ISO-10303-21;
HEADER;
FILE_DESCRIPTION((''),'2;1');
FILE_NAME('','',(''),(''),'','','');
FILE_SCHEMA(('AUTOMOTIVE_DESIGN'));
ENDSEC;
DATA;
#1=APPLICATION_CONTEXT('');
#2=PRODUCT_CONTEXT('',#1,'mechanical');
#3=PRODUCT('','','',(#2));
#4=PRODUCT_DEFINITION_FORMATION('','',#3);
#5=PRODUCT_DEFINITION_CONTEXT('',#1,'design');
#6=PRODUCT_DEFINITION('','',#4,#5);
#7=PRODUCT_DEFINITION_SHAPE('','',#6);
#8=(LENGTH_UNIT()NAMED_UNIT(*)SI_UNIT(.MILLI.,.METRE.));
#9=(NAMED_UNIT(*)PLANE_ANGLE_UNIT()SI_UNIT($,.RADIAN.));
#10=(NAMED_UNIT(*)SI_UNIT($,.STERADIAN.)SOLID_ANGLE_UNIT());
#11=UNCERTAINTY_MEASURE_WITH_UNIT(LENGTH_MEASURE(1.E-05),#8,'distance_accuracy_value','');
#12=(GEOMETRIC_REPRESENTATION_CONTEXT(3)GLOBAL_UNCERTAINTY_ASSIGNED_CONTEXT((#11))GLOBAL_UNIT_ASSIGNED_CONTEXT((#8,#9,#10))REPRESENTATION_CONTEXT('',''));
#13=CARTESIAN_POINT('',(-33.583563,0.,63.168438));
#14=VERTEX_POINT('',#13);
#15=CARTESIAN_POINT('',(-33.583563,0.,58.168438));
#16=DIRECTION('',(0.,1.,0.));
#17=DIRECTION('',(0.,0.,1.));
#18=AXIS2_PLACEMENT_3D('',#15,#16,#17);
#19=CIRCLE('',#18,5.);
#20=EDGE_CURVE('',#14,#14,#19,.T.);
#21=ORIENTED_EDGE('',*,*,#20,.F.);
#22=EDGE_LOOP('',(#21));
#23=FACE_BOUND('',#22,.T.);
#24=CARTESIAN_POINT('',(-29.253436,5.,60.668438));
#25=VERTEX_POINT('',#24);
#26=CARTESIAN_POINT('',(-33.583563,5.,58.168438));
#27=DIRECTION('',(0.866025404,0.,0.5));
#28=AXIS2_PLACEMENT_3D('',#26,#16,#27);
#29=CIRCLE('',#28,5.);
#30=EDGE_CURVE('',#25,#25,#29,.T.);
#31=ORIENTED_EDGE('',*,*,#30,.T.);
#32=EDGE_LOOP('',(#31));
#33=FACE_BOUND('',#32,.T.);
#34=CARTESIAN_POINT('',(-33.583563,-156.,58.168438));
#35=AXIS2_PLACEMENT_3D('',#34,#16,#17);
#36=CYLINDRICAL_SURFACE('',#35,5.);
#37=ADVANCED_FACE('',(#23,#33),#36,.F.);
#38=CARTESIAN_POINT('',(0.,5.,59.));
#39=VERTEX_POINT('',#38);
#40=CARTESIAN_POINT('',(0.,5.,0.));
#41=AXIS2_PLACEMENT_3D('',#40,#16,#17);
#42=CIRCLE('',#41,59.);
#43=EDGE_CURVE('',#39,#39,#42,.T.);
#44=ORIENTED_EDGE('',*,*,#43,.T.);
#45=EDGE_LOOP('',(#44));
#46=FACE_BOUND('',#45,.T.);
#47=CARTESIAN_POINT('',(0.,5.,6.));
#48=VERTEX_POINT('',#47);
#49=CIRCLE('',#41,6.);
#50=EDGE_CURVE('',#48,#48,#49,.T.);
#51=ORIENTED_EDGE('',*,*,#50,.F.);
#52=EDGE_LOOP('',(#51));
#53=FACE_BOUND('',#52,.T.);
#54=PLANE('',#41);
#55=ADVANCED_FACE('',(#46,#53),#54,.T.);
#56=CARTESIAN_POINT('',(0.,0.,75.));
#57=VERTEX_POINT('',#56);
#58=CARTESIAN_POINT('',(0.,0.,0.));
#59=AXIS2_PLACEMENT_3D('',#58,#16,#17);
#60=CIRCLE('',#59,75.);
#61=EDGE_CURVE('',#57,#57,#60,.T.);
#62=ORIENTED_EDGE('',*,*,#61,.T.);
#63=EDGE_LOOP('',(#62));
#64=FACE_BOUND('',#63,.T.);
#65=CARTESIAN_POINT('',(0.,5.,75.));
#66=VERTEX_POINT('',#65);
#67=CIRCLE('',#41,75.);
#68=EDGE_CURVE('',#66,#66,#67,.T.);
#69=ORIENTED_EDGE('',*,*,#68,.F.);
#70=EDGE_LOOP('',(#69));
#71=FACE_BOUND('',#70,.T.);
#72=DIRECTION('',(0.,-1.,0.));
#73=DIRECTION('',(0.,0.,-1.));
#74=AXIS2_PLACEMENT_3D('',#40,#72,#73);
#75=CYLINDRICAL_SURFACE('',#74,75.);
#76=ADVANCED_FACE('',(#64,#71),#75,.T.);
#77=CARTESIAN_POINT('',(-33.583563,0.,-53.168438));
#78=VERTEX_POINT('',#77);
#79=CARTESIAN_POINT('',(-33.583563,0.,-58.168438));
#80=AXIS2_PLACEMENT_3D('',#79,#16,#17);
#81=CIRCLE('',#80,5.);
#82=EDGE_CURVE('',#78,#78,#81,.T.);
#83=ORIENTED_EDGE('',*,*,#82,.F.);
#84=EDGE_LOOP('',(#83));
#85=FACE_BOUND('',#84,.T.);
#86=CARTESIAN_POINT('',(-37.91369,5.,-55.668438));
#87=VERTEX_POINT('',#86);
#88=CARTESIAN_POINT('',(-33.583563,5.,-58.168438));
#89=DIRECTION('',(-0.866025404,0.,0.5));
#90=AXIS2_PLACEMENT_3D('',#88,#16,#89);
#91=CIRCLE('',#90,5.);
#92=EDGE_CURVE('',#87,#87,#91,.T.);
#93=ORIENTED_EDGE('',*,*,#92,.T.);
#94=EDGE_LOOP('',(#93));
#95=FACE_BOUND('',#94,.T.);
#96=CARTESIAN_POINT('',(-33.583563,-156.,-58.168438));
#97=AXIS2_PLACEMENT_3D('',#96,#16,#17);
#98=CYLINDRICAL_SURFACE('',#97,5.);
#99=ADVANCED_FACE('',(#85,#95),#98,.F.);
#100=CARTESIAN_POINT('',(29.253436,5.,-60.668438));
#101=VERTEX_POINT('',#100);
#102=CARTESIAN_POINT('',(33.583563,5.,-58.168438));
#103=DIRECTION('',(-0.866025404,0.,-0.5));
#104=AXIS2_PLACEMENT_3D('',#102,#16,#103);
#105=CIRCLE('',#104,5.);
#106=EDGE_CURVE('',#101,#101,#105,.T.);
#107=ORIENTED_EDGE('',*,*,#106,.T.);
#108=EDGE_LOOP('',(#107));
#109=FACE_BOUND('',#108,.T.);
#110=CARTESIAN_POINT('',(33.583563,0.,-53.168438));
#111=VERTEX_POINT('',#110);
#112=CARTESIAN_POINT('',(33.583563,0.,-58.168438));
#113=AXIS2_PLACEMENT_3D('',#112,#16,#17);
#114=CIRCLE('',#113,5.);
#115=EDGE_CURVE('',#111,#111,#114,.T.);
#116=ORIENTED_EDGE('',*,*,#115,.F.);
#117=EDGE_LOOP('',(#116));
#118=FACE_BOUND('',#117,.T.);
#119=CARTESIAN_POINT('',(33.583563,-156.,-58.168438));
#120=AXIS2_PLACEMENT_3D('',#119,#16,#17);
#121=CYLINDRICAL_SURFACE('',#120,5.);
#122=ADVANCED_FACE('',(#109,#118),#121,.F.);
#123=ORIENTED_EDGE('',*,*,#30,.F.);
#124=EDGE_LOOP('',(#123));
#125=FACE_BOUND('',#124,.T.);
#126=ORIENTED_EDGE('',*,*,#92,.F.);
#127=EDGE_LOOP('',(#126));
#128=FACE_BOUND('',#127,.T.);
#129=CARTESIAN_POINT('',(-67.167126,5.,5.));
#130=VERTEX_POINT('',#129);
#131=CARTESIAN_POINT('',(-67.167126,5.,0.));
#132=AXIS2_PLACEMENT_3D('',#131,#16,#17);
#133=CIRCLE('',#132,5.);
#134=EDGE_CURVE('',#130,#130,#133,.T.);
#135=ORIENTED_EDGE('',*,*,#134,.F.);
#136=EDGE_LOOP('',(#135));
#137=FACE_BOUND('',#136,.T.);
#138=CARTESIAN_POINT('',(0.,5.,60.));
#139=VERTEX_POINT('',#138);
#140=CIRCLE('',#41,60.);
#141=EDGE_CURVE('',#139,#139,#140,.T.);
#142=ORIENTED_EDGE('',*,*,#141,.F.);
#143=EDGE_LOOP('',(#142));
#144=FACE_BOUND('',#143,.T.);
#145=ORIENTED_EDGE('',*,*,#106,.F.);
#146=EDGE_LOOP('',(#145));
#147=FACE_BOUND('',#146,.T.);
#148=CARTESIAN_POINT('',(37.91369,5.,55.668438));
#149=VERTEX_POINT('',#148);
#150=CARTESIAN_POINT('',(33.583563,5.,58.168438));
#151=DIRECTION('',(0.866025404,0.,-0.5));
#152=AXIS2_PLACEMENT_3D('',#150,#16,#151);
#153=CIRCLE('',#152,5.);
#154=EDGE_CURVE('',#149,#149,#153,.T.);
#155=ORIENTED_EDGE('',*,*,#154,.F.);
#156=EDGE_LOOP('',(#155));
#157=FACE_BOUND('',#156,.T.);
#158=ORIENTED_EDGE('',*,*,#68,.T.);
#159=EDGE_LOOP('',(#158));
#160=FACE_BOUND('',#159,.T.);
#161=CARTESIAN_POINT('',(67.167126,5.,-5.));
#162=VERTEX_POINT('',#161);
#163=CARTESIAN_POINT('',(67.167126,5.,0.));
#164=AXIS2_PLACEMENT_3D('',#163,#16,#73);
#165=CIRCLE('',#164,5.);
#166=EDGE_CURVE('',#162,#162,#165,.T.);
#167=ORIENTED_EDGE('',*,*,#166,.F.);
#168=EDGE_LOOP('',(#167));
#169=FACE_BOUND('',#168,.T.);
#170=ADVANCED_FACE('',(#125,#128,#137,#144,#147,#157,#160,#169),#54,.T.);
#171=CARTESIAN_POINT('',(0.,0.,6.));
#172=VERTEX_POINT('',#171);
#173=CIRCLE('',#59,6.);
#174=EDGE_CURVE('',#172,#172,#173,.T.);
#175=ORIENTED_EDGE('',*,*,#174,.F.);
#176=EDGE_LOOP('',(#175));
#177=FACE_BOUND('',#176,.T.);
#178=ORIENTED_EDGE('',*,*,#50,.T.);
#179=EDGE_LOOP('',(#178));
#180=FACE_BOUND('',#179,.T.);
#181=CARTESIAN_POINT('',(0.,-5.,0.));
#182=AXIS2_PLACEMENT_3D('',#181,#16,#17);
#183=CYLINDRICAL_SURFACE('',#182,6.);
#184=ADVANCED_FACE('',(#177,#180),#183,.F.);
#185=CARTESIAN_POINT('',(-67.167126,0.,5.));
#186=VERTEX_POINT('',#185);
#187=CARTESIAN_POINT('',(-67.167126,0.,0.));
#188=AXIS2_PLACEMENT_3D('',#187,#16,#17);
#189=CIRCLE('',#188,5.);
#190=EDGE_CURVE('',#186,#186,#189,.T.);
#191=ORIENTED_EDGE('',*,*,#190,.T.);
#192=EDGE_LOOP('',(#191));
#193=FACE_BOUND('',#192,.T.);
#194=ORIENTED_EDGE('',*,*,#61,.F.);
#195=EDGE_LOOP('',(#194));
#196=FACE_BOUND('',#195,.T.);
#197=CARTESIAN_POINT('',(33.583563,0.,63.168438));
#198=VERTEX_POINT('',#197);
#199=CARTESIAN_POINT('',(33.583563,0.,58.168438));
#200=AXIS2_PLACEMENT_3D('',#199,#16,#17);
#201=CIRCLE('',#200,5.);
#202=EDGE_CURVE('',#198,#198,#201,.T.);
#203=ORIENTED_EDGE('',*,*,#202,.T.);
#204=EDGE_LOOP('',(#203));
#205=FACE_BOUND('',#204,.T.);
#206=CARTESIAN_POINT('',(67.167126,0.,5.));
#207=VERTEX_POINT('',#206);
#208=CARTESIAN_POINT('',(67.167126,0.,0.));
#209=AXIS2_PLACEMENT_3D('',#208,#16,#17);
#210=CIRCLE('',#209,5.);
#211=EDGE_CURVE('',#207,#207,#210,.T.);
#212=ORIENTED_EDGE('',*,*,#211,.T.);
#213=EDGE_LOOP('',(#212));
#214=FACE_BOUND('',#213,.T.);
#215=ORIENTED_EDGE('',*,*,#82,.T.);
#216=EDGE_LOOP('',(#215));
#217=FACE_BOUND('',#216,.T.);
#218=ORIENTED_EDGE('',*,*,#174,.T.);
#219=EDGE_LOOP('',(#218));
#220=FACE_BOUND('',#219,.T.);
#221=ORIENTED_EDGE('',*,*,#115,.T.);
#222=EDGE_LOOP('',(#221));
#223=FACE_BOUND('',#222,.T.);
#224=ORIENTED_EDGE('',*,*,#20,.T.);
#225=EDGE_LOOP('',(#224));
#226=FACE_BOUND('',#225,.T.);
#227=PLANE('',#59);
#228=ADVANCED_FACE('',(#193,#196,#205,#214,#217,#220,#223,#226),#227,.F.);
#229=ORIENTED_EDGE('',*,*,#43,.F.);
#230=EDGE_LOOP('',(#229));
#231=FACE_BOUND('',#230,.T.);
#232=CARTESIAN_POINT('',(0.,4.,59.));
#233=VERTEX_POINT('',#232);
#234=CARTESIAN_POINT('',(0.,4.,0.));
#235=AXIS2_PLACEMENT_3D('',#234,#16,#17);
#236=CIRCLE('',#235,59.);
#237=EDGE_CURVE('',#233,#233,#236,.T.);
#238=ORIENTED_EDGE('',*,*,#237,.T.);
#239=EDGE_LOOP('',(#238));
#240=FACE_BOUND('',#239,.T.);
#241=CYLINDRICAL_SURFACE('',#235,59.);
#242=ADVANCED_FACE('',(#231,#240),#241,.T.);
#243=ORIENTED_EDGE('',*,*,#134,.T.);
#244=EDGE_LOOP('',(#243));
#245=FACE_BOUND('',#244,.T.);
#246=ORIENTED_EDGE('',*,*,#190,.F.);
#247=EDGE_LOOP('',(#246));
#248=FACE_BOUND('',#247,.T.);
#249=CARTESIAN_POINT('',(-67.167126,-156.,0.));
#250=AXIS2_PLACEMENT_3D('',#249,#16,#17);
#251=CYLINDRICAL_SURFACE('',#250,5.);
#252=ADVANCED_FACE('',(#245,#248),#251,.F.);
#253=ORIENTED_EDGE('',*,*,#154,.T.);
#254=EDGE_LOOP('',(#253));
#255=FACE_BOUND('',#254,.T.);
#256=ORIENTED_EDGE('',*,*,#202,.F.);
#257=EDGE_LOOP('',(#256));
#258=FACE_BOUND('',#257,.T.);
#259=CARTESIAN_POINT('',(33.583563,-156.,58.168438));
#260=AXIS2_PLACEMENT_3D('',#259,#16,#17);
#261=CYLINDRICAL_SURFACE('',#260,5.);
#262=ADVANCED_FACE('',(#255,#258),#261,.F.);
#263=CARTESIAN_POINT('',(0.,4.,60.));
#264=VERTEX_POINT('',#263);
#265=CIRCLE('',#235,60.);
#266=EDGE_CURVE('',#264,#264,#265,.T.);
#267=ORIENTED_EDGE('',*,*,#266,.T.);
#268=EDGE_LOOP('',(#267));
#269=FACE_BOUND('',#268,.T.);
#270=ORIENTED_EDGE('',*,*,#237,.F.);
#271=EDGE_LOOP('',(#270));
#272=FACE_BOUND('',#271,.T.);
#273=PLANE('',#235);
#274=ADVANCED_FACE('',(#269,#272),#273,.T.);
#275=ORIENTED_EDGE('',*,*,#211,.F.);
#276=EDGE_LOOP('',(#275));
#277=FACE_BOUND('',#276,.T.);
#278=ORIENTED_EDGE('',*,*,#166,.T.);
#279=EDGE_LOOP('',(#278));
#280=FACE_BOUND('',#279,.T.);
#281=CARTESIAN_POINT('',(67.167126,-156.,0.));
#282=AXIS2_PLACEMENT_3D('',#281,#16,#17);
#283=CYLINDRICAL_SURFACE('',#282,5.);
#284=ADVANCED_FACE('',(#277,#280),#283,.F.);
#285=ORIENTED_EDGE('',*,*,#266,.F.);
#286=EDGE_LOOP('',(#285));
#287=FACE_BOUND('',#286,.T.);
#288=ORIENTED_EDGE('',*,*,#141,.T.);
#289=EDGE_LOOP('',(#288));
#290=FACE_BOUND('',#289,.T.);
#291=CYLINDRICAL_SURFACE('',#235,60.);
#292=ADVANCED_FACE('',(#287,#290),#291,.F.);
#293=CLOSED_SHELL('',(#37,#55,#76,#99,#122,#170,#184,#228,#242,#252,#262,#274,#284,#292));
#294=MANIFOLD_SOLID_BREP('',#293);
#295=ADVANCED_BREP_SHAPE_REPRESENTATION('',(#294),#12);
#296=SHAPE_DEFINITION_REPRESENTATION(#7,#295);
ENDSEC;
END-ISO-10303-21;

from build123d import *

# Parameters (mm, degrees)
SKETCH1_R           = 75
BOSS_EXTRUDE1_DEPTH = 5
SKETCH2_R           = 60
SKETCH2_R_2         = 59
CUT_EXTRUDE1_DEPTH  = 1
SKETCH3_R           = 5
CUT_EXTRUDE2_DEPTH  = 161
CIRPATTERN2_COUNT   = 6
SKETCH4_R           = 6
CUT_EXTRUDE3_DEPTH  = 10


with BuildPart() as part:
    # Sketch1 → Boss-Extrude1 (new body)
    with BuildSketch(Plane(origin=(0, 0, 0), x_dir=(1, 0, 0), z_dir=(0, 1, 0))):
        with Locations(Location((0, 0, 0), (0, 0, 270))):
            Circle(SKETCH1_R)
    extrude(amount=BOSS_EXTRUDE1_DEPTH)

    # Sketch2 → Cut-Extrude1 (cut)
    with BuildSketch(Plane(origin=(0, 5, 0), x_dir=(1, 0, 0), z_dir=(0, 1, 0))):
        with Locations(Location((0, 0, 0), (0, 0, 270))):
            Circle(SKETCH2_R)
        with Locations(Location((0, 0, 0), (0, 0, 270))):
            Circle(SKETCH2_R_2, mode=Mode.SUBTRACT)
    extrude(amount=-CUT_EXTRUDE1_DEPTH, mode=Mode.SUBTRACT)

    # Sketch3 → Cut-Extrude2 (cut)
    with BuildSketch(Plane(origin=(0, 5, 0), x_dir=(1, 0, 0), z_dir=(0, 1, 0))):
        with Locations(Location((-67.167126111, 0, 0), (0, 0, 270))):
            Circle(SKETCH3_R)
    cut_extrude2 = extrude(amount=-CUT_EXTRUDE2_DEPTH, mode=Mode.SUBTRACT)

    # CirPattern2: Cut-Extrude2 ×6 about axis
    cirpattern2_axis = Axis((0, 0, 0), (0, 1, 0))
    for i in range(1, CIRPATTERN2_COUNT):
        add(cut_extrude2.rotate(cirpattern2_axis, i * 360 / CIRPATTERN2_COUNT), mode=Mode.SUBTRACT)

    # Sketch4 → Cut-Extrude3 (cut)
    with BuildSketch(Plane(origin=(0, 5, 0), x_dir=(1, 0, 0), z_dir=(0, 1, 0))):
        with Locations(Location((0, 0, 0), (0, 0, 270))):
            Circle(SKETCH4_R)
    extrude(amount=-CUT_EXTRUDE3_DEPTH, mode=Mode.SUBTRACT)


solid = part.part
